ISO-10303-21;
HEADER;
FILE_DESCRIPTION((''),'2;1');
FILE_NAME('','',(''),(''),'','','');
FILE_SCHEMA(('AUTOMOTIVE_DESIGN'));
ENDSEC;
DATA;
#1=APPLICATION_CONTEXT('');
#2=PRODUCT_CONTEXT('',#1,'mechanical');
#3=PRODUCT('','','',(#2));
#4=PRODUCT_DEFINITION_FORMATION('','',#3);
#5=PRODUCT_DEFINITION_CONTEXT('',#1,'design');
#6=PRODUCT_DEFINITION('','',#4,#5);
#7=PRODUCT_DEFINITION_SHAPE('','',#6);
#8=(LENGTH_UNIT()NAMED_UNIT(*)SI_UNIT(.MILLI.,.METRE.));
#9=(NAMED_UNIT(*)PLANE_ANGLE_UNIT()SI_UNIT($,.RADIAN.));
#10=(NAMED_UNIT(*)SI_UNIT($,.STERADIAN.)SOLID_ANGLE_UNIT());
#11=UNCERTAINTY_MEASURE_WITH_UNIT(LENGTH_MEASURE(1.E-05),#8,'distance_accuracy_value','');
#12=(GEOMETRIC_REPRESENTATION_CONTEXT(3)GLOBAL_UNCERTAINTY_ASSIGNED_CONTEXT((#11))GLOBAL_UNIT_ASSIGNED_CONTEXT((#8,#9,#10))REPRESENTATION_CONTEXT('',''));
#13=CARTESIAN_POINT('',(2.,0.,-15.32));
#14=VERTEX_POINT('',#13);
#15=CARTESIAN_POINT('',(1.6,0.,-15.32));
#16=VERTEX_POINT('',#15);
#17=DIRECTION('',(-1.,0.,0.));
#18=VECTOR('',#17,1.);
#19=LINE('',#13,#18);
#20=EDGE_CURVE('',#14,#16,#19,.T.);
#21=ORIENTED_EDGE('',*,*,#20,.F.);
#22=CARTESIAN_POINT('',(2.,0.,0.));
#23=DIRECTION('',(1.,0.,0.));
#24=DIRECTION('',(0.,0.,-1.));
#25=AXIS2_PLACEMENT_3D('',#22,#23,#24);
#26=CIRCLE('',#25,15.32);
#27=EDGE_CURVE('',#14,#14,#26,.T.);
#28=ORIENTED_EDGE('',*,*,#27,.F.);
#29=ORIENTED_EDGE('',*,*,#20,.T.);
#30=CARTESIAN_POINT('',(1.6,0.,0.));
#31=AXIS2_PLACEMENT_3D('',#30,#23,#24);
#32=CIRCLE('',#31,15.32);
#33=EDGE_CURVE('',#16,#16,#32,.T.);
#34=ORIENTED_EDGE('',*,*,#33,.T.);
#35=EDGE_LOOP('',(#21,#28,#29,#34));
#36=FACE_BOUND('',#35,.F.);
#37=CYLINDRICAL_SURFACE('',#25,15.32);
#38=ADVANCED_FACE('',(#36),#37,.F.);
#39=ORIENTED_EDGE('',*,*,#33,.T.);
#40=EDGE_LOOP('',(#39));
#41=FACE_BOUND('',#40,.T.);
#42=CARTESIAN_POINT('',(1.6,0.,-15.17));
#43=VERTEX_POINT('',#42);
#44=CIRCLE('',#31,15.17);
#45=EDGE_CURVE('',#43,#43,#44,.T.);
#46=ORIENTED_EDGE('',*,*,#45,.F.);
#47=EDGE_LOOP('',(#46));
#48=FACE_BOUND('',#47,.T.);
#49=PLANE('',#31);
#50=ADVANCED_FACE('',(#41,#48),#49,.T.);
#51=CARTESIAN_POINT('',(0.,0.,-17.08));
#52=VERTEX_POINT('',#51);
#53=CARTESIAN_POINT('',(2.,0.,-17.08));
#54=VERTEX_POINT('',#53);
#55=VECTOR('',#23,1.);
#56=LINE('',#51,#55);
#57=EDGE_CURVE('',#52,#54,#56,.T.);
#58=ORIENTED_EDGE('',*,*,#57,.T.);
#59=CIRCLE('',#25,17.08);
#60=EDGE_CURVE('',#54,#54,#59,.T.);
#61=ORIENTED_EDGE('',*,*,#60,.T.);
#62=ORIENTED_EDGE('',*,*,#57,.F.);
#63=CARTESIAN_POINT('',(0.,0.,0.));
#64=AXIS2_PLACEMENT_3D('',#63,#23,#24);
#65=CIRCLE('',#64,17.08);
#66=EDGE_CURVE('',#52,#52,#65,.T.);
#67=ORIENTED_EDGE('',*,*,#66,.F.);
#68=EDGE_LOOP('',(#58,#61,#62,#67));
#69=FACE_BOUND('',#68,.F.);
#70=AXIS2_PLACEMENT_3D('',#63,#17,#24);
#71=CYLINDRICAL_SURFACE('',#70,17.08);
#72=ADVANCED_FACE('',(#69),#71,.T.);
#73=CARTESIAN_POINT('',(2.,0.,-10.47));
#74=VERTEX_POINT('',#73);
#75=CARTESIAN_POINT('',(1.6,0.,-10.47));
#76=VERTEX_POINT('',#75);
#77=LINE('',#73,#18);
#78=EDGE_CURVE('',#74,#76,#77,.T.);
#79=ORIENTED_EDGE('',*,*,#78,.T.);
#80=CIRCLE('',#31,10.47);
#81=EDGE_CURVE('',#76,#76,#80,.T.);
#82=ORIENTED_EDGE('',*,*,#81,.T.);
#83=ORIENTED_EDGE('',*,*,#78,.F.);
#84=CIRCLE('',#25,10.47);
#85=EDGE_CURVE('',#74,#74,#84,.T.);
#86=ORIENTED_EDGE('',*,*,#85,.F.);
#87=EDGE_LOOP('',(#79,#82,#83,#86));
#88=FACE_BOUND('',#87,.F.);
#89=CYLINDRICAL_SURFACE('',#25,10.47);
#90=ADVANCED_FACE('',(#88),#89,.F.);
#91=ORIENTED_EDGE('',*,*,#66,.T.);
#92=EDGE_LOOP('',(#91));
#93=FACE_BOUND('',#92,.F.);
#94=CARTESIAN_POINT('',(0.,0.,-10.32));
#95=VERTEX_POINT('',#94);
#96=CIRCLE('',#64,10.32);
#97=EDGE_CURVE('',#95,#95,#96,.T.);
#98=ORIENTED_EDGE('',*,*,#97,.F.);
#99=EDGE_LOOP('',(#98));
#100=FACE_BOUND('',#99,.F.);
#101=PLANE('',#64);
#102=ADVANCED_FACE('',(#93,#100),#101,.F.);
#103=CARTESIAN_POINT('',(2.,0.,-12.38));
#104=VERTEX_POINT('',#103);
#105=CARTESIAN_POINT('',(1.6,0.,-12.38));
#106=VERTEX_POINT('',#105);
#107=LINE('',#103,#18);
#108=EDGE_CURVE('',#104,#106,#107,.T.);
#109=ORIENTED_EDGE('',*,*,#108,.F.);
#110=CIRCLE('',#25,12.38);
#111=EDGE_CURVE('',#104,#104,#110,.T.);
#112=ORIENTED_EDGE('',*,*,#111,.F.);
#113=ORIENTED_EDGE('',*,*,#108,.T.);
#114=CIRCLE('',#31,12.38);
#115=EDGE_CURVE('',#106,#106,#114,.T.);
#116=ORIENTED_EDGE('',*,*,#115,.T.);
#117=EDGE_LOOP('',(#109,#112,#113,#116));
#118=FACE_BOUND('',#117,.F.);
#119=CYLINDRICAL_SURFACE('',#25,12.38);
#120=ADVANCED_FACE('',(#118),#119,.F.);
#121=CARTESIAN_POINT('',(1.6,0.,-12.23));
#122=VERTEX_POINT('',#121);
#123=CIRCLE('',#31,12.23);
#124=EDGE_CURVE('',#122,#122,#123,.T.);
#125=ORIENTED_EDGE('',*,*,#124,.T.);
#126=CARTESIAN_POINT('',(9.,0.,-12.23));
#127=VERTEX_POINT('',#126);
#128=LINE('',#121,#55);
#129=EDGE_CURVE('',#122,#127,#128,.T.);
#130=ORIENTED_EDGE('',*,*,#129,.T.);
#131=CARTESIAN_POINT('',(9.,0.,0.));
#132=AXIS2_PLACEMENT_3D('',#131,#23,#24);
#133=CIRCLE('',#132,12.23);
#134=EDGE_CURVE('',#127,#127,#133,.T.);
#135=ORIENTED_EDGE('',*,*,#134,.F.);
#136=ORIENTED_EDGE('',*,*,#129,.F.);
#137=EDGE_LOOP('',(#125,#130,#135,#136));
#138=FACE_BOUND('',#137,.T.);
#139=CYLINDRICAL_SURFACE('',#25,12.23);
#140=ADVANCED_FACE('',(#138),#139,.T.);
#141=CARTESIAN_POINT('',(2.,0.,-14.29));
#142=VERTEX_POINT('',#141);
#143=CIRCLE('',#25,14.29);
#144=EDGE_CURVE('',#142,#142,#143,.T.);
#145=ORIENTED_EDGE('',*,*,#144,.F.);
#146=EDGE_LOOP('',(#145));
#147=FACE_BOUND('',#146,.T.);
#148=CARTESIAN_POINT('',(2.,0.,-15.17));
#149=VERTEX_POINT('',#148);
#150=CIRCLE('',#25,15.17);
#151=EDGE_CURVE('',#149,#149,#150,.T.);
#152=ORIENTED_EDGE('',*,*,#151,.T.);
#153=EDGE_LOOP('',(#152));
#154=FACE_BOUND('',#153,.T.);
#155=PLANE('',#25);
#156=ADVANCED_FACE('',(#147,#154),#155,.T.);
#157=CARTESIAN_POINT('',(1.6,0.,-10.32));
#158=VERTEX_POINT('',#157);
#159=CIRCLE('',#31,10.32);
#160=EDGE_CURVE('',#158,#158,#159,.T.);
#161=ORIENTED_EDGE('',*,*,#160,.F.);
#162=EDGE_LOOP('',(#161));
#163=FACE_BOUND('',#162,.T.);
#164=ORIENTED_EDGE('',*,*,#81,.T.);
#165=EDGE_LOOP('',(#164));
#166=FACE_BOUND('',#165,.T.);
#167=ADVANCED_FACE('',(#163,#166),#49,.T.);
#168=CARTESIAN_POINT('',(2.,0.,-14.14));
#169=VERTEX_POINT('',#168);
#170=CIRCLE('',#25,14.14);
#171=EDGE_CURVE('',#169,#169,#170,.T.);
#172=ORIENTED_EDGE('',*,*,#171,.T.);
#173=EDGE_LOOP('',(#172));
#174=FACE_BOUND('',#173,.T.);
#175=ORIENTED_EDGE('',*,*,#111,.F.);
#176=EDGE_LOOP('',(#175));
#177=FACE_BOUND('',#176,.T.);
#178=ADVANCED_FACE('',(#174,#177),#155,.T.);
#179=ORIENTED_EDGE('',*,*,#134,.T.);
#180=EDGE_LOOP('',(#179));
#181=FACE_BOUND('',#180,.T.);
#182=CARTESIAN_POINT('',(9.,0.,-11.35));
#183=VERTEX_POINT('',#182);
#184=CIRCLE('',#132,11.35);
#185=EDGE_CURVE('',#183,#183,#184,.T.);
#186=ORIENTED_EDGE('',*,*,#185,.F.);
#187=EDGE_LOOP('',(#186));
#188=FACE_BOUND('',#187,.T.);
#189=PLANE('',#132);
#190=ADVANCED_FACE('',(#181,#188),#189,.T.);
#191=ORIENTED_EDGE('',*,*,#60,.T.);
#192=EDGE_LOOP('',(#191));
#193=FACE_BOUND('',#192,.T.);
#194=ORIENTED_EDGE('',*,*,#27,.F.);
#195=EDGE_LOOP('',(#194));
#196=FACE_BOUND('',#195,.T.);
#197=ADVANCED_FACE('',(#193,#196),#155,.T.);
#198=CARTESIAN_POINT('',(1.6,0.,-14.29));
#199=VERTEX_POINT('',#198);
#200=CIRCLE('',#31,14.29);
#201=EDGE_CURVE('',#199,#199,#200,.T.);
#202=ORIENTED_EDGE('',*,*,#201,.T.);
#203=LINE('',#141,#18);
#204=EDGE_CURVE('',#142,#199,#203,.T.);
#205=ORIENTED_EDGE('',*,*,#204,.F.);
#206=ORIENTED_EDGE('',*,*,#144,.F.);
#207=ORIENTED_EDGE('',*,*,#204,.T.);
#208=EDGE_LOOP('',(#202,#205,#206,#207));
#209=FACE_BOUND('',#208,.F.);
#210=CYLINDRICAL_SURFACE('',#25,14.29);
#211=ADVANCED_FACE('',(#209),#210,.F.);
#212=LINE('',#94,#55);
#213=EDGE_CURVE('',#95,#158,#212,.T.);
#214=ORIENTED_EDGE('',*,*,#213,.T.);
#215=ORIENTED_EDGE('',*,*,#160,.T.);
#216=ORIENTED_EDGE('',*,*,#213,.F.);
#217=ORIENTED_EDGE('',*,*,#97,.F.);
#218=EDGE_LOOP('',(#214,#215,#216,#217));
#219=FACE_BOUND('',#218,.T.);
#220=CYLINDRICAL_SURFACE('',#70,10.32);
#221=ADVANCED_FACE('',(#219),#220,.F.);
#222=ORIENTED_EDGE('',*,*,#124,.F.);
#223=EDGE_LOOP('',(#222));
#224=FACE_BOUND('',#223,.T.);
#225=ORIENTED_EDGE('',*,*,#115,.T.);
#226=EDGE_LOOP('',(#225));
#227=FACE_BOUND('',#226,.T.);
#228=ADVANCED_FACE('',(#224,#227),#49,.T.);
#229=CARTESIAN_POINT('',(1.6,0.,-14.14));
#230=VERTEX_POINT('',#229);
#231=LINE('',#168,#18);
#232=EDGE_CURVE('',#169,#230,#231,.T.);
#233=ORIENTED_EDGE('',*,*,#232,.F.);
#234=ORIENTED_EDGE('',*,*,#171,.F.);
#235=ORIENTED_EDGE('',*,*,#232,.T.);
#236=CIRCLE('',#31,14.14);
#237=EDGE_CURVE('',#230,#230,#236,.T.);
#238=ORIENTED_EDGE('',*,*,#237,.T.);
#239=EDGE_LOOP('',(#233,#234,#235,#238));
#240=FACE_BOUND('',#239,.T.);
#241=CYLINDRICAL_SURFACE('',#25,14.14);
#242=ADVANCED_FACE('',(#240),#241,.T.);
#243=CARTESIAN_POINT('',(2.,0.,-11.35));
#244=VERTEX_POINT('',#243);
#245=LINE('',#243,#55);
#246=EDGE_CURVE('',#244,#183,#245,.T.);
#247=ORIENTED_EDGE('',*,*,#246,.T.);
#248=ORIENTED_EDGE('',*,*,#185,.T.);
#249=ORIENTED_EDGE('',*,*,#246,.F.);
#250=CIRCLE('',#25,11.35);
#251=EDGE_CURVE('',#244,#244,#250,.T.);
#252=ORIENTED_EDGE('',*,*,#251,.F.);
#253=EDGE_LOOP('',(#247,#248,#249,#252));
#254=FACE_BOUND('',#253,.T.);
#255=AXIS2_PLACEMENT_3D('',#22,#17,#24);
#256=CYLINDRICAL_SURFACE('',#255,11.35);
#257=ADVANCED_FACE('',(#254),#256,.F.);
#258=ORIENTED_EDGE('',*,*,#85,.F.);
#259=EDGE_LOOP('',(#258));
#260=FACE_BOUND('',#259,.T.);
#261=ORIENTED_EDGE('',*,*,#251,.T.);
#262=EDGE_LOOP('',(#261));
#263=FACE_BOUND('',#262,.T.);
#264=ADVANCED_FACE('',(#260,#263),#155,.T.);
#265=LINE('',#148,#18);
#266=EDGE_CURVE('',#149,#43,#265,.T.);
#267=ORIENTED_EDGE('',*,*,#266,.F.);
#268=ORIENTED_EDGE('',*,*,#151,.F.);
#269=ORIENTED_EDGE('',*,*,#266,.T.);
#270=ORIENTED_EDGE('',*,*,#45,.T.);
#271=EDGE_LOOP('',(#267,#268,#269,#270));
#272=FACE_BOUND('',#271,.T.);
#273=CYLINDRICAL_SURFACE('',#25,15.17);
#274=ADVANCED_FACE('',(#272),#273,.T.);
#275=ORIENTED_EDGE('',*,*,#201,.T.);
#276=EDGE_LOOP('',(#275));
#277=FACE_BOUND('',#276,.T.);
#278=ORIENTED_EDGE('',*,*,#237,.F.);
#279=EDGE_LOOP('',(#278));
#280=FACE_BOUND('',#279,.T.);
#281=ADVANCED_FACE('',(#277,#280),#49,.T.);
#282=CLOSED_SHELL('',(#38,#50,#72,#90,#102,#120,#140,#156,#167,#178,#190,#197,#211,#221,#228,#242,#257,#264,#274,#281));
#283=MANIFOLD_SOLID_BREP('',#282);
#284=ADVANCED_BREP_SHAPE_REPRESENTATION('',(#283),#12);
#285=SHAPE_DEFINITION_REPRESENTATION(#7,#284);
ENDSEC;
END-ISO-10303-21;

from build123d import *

# Parameters (mm, degrees)
SKETCH1_R           = 17.08
SKETCH1_R_2         = 10.32
BOSS_EXTRUDE1_DEPTH = 2
SKETCH2_R           = 12.23
SKETCH2_R_2         = 11.35
BOSS_EXTRUDE2_DEPTH = 7
SKETCH3_R           = 10.47
SKETCH3_R_2         = 10.32
CUT_EXTRUDE1_DEPTH  = 0.4
SKETCH12_R          = 12.38
SKETCH12_R_2        = 12.23
CUT_EXTRUDE7_DEPTH  = 0.4
SKETCH13_R          = 14.29
SKETCH13_R_2        = 14.14
CUT_EXTRUDE8_DEPTH  = 0.4
SKETCH14_R          = 15.32
SKETCH14_R_2        = 15.17
CUT_EXTRUDE9_DEPTH  = 0.4


with BuildPart() as part:
    # Sketch1 → Boss-Extrude1 (new body)
    with BuildSketch(Plane(origin=(0, 0, 0), x_dir=(0, 0, -1), z_dir=(1, 0, 0))):
        Circle(SKETCH1_R)
        Circle(SKETCH1_R_2, mode=Mode.SUBTRACT)
    extrude(amount=BOSS_EXTRUDE1_DEPTH)

    # Sketch2 → Boss-Extrude2 (add)
    with BuildSketch(Plane(origin=(2, 0, 0), x_dir=(0, 0, -1), z_dir=(1, 0, 0))):
        Circle(SKETCH2_R)
        Circle(SKETCH2_R_2, mode=Mode.SUBTRACT)
    extrude(amount=BOSS_EXTRUDE2_DEPTH)

    # Sketch3 → Cut-Extrude1 (cut)
    with BuildSketch(Plane(origin=(2, 0, 0), x_dir=(0, 0, -1), z_dir=(1, 0, 0))):
        Circle(SKETCH3_R)
        Circle(SKETCH3_R_2, mode=Mode.SUBTRACT)
    extrude(amount=-CUT_EXTRUDE1_DEPTH, mode=Mode.SUBTRACT)

    # Sketch12 → Cut-Extrude7 (cut)
    with BuildSketch(Plane(origin=(2, 0, 0), x_dir=(0, 0, -1), z_dir=(1, 0, 0))):
        Circle(SKETCH12_R)
        Circle(SKETCH12_R_2, mode=Mode.SUBTRACT)
    extrude(amount=-CUT_EXTRUDE7_DEPTH, mode=Mode.SUBTRACT)

    # Sketch13 → Cut-Extrude8 (cut)
    with BuildSketch(Plane(origin=(2, 0, 0), x_dir=(0, 0, -1), z_dir=(1, 0, 0))):
        Circle(SKETCH13_R)
        Circle(SKETCH13_R_2, mode=Mode.SUBTRACT)
    extrude(amount=-CUT_EXTRUDE8_DEPTH, mode=Mode.SUBTRACT)

    # Sketch14 → Cut-Extrude9 (cut)
    with BuildSketch(Plane(origin=(2, 0, 0), x_dir=(0, 0, -1), z_dir=(1, 0, 0))):
        Circle(SKETCH14_R)
        Circle(SKETCH14_R_2, mode=Mode.SUBTRACT)
    extrude(amount=-CUT_EXTRUDE9_DEPTH, mode=Mode.SUBTRACT)


solid = part.part
